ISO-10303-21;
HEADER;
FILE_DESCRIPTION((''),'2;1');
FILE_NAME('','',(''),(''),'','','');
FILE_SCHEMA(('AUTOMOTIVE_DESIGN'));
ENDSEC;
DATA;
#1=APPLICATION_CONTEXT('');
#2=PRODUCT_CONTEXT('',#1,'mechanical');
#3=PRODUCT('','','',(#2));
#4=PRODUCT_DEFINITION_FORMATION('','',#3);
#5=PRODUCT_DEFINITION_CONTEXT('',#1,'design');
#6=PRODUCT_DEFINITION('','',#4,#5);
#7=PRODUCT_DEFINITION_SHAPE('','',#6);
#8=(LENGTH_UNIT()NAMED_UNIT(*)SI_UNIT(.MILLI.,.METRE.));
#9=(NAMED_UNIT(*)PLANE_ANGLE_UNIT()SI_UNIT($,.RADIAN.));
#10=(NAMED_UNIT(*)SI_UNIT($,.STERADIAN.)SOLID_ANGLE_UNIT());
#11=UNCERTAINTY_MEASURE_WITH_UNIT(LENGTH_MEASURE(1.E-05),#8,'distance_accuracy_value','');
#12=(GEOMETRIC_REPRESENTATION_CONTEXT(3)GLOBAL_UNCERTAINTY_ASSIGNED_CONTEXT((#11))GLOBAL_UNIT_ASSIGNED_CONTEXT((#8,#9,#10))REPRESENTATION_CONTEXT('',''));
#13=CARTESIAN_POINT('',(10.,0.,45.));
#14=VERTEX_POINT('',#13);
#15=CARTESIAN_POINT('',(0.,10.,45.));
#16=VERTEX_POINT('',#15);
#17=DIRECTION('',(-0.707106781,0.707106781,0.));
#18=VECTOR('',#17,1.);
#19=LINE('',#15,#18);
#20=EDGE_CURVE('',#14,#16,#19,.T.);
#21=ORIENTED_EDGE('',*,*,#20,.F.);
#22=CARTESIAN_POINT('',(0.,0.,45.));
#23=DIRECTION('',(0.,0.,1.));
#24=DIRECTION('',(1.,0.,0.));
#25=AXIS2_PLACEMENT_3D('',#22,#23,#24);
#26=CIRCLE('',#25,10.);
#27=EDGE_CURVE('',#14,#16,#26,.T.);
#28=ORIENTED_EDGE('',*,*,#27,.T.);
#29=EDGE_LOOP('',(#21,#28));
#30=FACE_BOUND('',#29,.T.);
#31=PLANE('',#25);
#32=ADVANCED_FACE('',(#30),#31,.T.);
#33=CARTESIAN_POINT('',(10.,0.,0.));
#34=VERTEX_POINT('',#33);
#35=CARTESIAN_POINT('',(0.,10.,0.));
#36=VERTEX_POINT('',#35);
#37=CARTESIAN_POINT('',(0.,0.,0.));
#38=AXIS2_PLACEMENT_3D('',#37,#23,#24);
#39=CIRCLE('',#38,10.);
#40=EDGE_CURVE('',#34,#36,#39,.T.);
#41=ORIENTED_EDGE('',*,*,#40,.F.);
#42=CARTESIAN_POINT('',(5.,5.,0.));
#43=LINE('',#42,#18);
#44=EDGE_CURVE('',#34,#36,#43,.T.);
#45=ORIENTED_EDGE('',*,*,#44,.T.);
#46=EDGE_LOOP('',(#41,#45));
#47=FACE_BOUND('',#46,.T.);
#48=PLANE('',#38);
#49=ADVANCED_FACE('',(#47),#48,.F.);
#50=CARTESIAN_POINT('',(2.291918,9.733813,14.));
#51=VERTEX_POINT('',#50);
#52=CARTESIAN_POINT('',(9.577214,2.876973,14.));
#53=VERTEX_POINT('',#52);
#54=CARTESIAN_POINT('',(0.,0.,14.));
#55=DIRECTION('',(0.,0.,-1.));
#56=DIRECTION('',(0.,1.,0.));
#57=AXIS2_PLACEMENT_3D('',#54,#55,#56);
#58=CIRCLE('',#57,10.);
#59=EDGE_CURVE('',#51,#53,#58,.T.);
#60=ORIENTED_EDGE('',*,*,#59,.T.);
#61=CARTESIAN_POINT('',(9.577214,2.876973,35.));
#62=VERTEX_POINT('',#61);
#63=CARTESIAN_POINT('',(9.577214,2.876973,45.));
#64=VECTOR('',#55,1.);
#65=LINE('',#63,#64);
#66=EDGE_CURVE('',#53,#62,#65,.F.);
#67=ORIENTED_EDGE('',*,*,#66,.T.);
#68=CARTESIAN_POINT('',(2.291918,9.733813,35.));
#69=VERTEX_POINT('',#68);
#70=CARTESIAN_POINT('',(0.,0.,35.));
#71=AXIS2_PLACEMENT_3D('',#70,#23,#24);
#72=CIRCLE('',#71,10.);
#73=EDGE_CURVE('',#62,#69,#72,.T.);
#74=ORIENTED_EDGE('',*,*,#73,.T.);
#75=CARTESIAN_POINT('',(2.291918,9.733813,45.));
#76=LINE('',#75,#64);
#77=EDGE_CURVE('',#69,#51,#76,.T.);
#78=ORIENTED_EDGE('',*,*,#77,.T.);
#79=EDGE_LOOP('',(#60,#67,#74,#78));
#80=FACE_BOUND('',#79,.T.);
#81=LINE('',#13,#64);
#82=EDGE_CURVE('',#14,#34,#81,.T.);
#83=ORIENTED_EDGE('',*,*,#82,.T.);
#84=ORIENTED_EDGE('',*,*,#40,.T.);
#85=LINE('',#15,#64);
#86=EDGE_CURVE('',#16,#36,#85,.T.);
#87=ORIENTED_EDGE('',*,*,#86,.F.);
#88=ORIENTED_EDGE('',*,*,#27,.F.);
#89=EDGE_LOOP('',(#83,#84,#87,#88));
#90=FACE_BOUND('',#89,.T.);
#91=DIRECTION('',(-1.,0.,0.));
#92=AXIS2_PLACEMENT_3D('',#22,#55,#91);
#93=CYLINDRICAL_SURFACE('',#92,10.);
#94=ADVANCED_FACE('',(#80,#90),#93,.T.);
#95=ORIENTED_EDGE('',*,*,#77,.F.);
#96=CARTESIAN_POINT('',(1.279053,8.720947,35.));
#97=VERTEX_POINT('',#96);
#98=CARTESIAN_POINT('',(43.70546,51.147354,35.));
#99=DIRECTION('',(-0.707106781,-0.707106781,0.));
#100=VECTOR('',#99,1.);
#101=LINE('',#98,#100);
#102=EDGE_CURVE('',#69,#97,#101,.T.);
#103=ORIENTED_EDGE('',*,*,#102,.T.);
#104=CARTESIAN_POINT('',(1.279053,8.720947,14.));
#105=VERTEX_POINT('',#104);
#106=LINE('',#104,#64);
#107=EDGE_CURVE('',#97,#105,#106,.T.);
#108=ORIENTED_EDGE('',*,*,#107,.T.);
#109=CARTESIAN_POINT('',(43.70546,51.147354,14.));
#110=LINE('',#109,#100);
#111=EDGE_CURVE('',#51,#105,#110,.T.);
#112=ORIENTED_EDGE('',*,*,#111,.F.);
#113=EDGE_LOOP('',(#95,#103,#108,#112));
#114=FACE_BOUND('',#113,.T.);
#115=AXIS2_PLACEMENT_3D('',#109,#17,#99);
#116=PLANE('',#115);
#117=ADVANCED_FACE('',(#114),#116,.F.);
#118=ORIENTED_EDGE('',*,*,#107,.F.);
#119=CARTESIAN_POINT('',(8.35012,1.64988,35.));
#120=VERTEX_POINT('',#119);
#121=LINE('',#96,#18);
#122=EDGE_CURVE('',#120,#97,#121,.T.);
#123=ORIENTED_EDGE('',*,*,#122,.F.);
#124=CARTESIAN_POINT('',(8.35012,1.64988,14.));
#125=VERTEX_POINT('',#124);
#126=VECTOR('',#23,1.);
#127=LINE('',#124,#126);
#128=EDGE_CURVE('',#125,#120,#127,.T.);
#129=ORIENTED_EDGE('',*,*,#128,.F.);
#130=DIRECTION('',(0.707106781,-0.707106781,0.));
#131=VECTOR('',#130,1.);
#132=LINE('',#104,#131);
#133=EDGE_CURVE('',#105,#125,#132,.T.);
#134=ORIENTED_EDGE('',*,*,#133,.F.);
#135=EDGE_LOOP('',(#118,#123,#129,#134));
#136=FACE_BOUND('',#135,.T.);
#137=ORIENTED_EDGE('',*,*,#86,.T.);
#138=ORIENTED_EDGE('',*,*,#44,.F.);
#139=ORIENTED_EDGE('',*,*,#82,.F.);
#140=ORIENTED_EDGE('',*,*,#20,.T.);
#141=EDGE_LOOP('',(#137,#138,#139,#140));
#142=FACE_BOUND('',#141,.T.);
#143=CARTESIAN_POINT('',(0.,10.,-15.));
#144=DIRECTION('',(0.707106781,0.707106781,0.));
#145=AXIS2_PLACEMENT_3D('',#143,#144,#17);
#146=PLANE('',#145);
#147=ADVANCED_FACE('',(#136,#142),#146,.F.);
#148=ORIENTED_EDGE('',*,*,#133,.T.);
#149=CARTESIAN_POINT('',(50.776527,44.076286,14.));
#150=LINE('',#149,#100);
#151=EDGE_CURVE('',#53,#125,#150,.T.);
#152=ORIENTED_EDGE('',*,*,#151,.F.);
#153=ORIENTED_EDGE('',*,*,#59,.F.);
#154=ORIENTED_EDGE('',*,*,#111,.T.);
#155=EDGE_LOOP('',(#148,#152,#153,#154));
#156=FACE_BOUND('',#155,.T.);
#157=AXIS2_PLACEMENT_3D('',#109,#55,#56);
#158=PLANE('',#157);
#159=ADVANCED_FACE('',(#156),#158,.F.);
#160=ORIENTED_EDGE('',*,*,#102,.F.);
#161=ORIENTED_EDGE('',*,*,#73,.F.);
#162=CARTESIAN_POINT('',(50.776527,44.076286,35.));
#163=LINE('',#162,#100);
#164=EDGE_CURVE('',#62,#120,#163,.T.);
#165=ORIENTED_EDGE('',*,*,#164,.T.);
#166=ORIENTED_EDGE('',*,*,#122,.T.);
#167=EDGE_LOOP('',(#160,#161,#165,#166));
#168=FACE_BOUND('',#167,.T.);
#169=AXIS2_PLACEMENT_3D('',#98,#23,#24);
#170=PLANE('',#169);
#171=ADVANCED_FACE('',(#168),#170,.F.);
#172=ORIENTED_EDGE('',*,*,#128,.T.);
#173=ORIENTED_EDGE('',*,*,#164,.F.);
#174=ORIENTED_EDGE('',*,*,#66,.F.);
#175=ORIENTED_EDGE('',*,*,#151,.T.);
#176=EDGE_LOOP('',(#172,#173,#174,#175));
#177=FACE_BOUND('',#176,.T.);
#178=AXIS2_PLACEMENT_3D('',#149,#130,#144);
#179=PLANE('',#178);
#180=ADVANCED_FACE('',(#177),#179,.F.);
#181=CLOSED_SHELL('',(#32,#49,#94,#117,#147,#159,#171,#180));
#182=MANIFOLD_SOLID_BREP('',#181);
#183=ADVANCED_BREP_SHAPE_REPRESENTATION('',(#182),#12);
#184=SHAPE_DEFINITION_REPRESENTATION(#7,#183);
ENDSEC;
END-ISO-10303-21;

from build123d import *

# Parameters (mm, degrees)
DODANIE_WYCI_GNI_CIE1_DEPTH = 45
WYTNIJ_WYCI_GNI_CIE1_DEPTH  = 60
SZKIC4_W                    = 21
SZKIC4_H                    = 10
WYTNIJ_WYCI_GNI_CIE2_DEPTH  = 60


with BuildPart() as part:
    # Szkic1 → Dodanie-wyciągnięcie1 (new body)
    with BuildSketch(Plane.XY):
        with BuildLine():
            Line((0, 0), (0, 10))
            ThreePointArc((0, 10), (7.071067812, 7.071067812), (10, 0))
            Line((10, 0), (0, 0))
        make_face()
    extrude(amount=DODANIE_WYCI_GNI_CIE1_DEPTH)

    # Szkic2 → Wytnij-wyciągnięcie1 (cut)
    with BuildSketch(Plane.XY.offset(45)):
        Polygon((0, 10), (10, 0), (0, 0), align=None)
    extrude(amount=-WYTNIJ_WYCI_GNI_CIE1_DEPTH, mode=Mode.SUBTRACT)

    # Szkic4 → Wytnij-wyciągnięcie2 (cut)
    with BuildSketch(Plane(origin=(5, 5, 0), x_dir=(0, 0, 1), z_dir=(-0.707106781, -0.707106781, 0))):
        with Locations((24.5, 0.262214186)):
            Rectangle(SZKIC4_W, SZKIC4_H)
    extrude(amount=-WYTNIJ_WYCI_GNI_CIE2_DEPTH, mode=Mode.SUBTRACT)


solid = part.part
